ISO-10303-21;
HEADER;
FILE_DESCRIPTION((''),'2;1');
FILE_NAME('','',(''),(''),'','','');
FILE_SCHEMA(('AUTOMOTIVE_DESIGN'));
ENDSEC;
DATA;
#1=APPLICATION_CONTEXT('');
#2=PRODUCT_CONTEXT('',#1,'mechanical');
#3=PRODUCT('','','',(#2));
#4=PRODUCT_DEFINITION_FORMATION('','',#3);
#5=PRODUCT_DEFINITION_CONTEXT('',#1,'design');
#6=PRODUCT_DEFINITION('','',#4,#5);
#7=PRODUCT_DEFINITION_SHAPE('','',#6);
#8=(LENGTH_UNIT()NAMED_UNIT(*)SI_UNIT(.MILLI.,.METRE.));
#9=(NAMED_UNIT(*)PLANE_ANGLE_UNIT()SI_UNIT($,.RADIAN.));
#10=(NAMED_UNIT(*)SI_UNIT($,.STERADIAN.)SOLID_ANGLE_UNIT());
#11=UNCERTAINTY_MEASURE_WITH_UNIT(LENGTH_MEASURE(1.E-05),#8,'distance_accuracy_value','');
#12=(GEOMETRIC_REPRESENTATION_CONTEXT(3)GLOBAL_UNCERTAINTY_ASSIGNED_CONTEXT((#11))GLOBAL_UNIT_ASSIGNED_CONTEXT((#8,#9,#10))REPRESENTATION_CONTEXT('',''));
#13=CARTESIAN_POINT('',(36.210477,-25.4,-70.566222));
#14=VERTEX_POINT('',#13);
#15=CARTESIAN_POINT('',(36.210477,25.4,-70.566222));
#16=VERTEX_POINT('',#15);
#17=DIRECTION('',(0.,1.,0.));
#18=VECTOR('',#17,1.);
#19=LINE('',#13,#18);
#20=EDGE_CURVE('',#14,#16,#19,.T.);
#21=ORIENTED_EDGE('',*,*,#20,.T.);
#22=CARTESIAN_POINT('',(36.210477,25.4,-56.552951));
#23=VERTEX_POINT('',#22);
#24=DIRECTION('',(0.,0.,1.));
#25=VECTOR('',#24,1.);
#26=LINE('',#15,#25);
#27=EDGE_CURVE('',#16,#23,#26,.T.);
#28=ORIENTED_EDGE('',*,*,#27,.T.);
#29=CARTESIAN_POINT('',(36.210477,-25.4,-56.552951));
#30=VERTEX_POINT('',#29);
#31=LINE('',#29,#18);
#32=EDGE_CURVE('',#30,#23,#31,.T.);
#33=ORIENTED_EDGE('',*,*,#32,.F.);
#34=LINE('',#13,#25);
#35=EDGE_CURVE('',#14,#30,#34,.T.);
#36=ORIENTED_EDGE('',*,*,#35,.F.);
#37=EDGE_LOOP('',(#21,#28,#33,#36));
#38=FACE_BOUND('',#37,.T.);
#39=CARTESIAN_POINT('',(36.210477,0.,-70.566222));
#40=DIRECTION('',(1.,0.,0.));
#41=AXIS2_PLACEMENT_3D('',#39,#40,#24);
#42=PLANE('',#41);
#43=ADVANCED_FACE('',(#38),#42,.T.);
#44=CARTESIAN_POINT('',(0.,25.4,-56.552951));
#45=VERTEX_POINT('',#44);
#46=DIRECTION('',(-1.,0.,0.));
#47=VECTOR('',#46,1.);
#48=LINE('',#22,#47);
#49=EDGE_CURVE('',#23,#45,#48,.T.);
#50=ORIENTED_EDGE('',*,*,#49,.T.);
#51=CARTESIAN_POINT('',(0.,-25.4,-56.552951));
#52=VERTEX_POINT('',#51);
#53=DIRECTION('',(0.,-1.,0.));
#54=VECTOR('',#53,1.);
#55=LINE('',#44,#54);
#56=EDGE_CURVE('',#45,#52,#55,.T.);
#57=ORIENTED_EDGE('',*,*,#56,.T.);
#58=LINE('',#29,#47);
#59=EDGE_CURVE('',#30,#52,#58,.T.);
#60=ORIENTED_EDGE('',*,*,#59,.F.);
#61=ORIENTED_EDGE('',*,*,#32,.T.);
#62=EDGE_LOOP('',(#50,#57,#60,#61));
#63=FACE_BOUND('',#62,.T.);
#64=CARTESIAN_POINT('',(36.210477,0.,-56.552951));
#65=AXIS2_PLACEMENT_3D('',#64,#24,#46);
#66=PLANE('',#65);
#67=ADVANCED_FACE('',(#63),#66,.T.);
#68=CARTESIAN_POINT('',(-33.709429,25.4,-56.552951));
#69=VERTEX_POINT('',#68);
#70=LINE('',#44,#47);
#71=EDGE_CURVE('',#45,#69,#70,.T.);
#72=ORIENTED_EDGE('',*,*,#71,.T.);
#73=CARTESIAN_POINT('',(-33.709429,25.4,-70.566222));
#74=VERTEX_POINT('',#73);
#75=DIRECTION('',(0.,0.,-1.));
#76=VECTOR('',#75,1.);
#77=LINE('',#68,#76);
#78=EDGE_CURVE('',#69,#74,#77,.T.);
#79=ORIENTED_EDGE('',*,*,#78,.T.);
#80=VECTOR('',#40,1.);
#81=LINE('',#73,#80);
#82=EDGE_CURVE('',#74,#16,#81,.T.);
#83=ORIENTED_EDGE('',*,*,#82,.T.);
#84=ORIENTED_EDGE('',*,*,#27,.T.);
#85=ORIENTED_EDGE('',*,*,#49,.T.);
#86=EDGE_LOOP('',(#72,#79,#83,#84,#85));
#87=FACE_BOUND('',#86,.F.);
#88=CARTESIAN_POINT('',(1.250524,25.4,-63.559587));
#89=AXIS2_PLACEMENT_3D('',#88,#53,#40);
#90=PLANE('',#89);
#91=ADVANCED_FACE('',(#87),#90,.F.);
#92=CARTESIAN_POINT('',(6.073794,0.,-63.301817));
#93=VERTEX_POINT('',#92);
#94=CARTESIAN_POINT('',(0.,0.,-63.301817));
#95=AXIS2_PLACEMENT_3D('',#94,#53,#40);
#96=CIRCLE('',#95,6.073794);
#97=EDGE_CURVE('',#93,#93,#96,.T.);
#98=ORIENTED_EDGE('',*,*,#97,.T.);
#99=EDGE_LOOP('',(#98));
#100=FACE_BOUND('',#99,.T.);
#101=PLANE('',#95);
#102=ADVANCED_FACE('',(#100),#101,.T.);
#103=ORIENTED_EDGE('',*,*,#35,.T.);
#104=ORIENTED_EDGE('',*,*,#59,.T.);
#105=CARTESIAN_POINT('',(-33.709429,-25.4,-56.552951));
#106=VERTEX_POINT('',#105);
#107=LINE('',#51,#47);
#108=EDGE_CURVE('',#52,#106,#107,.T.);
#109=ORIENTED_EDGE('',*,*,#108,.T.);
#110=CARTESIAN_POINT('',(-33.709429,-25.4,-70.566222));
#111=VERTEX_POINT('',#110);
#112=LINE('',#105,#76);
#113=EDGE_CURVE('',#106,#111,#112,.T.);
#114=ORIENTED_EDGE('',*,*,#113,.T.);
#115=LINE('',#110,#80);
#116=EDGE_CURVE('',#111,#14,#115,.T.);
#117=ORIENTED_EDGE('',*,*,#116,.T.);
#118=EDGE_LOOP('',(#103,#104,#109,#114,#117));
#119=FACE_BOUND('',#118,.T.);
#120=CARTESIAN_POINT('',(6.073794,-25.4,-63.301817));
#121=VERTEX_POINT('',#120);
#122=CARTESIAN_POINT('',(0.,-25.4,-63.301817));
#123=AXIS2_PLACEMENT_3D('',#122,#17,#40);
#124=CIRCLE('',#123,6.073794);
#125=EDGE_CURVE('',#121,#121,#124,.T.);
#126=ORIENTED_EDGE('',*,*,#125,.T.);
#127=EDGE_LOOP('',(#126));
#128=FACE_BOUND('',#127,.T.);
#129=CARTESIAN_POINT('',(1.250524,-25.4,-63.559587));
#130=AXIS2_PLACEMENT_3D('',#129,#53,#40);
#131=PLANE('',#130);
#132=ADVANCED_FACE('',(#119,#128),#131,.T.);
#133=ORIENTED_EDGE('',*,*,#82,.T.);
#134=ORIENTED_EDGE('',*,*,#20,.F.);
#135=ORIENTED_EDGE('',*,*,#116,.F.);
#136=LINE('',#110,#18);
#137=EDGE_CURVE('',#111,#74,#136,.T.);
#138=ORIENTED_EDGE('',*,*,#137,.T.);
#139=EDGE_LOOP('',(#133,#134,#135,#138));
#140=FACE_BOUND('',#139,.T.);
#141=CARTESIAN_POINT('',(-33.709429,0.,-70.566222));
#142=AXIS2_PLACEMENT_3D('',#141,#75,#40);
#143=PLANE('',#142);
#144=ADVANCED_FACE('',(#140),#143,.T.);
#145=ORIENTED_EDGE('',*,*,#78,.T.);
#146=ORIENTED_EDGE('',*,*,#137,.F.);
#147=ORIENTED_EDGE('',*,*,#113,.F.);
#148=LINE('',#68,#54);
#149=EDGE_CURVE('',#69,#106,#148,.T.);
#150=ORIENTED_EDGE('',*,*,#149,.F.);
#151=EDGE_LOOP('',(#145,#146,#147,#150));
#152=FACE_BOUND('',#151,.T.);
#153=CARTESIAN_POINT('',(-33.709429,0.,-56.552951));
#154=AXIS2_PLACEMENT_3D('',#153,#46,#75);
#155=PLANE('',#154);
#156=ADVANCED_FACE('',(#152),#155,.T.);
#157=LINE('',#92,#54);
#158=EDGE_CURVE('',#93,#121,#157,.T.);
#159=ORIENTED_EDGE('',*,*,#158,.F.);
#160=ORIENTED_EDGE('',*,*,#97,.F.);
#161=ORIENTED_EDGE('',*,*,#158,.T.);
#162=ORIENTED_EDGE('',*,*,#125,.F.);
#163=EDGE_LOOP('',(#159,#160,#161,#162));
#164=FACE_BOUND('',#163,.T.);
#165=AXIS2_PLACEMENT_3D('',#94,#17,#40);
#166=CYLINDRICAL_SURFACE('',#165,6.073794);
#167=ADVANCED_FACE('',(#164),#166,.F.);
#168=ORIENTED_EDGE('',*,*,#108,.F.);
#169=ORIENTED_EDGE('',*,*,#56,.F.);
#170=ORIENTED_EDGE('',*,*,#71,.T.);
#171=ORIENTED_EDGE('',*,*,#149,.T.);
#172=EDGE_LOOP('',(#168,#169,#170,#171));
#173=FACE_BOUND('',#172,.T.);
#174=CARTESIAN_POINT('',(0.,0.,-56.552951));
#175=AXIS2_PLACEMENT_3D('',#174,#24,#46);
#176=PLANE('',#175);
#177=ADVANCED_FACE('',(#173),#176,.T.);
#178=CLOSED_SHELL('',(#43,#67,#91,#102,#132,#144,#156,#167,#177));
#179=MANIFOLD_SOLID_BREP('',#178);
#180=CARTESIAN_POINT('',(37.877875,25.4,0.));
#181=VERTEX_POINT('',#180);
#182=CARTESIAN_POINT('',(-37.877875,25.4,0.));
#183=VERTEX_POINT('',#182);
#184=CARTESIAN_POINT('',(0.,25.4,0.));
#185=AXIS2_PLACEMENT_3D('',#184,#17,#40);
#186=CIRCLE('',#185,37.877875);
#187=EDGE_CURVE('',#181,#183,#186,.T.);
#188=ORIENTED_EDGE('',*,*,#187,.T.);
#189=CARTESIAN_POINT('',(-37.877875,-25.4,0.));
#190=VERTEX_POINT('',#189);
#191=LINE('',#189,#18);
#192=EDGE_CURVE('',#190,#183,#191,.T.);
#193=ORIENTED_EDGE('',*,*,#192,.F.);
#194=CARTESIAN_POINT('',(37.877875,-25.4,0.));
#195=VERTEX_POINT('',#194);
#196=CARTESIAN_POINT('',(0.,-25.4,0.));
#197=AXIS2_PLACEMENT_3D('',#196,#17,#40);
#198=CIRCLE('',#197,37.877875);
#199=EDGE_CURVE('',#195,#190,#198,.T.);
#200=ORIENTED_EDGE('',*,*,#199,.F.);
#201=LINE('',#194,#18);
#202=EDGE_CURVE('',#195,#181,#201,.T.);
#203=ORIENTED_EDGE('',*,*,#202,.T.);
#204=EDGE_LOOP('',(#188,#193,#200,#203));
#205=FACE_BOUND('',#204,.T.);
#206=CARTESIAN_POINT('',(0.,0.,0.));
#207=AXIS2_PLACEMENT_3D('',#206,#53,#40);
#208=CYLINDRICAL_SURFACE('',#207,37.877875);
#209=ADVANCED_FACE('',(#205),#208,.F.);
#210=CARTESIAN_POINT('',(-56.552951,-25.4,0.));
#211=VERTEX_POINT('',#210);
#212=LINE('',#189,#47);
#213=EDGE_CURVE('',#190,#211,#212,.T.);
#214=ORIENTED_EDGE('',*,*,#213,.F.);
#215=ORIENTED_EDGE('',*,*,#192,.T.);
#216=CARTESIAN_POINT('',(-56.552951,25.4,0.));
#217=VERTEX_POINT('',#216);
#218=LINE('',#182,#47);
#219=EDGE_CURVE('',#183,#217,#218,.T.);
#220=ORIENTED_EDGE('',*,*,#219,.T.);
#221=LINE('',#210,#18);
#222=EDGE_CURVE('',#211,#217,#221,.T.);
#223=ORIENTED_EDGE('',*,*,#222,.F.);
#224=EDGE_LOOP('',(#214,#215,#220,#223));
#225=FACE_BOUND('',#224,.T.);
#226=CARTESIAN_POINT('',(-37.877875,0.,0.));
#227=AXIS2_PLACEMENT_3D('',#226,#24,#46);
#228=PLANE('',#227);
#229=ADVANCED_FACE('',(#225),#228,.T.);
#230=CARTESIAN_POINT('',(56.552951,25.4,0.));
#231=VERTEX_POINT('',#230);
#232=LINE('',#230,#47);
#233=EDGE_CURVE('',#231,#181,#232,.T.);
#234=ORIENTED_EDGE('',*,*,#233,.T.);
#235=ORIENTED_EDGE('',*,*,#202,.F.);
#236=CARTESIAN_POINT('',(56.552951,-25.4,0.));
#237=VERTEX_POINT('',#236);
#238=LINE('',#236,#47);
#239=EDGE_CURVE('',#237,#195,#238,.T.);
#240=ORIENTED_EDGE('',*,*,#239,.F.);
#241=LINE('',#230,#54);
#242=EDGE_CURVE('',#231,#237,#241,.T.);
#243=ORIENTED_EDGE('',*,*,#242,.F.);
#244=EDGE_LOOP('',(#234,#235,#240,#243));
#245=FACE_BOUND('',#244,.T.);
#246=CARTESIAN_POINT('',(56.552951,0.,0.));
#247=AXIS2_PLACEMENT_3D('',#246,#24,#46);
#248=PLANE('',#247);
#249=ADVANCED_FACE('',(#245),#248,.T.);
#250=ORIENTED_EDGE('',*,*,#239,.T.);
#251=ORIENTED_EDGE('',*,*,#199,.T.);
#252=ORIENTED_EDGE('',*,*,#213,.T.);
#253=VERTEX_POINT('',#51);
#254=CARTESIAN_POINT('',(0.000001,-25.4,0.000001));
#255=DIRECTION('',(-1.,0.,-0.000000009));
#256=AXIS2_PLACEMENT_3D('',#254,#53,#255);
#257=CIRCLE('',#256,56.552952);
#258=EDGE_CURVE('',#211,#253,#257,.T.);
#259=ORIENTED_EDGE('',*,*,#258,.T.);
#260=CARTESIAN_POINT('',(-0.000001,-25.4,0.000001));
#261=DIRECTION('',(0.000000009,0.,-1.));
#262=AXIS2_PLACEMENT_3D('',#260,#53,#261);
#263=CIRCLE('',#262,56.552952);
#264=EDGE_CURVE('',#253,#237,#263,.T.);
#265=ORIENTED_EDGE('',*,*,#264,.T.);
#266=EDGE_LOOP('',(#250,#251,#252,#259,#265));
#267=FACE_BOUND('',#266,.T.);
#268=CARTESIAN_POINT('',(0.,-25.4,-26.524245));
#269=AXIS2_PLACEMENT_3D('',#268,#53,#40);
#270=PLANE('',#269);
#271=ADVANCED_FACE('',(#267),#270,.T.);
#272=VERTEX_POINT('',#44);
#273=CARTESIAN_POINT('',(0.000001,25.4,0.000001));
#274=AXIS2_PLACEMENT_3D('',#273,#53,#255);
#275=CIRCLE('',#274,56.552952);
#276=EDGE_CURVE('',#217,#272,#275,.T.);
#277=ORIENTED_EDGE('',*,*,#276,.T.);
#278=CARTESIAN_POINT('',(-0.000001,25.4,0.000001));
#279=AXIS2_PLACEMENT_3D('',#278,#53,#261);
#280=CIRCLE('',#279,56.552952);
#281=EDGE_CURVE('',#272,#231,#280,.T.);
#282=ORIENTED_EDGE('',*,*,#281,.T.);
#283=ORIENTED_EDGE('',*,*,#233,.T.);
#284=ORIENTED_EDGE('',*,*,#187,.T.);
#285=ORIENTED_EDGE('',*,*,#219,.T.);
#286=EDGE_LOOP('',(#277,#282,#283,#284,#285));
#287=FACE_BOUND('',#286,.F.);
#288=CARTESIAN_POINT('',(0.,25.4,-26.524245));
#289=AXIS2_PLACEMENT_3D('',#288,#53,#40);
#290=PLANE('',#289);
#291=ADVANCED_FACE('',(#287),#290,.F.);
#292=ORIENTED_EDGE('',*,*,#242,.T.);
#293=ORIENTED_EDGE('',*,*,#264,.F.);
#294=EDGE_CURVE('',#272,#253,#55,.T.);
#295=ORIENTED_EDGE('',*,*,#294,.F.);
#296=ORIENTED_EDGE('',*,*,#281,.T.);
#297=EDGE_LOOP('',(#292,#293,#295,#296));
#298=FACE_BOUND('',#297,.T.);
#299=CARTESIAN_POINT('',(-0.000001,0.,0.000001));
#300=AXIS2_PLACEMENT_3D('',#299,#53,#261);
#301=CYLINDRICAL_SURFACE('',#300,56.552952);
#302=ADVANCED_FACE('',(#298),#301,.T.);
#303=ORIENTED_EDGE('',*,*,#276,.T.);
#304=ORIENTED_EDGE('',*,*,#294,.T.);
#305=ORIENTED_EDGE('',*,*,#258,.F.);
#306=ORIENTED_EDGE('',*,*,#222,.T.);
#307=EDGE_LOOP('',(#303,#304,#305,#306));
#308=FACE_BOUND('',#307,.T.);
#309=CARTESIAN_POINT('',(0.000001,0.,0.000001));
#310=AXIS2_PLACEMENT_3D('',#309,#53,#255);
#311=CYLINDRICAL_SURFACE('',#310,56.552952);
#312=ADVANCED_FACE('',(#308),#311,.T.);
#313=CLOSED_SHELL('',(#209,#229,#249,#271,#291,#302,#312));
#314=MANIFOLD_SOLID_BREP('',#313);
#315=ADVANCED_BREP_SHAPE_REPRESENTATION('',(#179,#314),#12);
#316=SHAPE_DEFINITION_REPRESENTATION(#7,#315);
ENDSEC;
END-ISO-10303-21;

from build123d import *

# Parameters (mm, degrees)
F2_DEPTH = 25.4
F1_R     = 6.073794
F3_DEPTH = 134.878621


with BuildPart() as f2:
    # F0 (on Front) → F2 (new body, symmetric)
    with BuildSketch(Plane.XZ):
        with BuildLine():
            Line((-37.877875, 0), (-56.552951, 0))
            ThreePointArc((-56.552951, 0), (-39.988975, -39.988975), (0, -56.552951))
            ThreePointArc((0, -56.552951), (39.988975, -39.988975), (56.552951, 0))
            Line((56.552951, 0), (37.877875, 0))
            ThreePointArc((37.877875, 0), (0, -37.877875), (-37.877875, 0))
        make_face()
        Polygon((36.210477, -56.552951), (0, -56.552951), (-33.709429, -56.552951), (-33.709429, -70.566222), (36.210477, -70.566222), align=None)
    extrude(amount=F2_DEPTH, both=True)

    # F1 (on Front) → F3 (cut)
    with BuildSketch(Plane.XZ):
        with Locations((0, -63.301817)):
            Circle(F1_R)
    extrude(amount=F3_DEPTH, mode=Mode.SUBTRACT)


solid = f2.part
